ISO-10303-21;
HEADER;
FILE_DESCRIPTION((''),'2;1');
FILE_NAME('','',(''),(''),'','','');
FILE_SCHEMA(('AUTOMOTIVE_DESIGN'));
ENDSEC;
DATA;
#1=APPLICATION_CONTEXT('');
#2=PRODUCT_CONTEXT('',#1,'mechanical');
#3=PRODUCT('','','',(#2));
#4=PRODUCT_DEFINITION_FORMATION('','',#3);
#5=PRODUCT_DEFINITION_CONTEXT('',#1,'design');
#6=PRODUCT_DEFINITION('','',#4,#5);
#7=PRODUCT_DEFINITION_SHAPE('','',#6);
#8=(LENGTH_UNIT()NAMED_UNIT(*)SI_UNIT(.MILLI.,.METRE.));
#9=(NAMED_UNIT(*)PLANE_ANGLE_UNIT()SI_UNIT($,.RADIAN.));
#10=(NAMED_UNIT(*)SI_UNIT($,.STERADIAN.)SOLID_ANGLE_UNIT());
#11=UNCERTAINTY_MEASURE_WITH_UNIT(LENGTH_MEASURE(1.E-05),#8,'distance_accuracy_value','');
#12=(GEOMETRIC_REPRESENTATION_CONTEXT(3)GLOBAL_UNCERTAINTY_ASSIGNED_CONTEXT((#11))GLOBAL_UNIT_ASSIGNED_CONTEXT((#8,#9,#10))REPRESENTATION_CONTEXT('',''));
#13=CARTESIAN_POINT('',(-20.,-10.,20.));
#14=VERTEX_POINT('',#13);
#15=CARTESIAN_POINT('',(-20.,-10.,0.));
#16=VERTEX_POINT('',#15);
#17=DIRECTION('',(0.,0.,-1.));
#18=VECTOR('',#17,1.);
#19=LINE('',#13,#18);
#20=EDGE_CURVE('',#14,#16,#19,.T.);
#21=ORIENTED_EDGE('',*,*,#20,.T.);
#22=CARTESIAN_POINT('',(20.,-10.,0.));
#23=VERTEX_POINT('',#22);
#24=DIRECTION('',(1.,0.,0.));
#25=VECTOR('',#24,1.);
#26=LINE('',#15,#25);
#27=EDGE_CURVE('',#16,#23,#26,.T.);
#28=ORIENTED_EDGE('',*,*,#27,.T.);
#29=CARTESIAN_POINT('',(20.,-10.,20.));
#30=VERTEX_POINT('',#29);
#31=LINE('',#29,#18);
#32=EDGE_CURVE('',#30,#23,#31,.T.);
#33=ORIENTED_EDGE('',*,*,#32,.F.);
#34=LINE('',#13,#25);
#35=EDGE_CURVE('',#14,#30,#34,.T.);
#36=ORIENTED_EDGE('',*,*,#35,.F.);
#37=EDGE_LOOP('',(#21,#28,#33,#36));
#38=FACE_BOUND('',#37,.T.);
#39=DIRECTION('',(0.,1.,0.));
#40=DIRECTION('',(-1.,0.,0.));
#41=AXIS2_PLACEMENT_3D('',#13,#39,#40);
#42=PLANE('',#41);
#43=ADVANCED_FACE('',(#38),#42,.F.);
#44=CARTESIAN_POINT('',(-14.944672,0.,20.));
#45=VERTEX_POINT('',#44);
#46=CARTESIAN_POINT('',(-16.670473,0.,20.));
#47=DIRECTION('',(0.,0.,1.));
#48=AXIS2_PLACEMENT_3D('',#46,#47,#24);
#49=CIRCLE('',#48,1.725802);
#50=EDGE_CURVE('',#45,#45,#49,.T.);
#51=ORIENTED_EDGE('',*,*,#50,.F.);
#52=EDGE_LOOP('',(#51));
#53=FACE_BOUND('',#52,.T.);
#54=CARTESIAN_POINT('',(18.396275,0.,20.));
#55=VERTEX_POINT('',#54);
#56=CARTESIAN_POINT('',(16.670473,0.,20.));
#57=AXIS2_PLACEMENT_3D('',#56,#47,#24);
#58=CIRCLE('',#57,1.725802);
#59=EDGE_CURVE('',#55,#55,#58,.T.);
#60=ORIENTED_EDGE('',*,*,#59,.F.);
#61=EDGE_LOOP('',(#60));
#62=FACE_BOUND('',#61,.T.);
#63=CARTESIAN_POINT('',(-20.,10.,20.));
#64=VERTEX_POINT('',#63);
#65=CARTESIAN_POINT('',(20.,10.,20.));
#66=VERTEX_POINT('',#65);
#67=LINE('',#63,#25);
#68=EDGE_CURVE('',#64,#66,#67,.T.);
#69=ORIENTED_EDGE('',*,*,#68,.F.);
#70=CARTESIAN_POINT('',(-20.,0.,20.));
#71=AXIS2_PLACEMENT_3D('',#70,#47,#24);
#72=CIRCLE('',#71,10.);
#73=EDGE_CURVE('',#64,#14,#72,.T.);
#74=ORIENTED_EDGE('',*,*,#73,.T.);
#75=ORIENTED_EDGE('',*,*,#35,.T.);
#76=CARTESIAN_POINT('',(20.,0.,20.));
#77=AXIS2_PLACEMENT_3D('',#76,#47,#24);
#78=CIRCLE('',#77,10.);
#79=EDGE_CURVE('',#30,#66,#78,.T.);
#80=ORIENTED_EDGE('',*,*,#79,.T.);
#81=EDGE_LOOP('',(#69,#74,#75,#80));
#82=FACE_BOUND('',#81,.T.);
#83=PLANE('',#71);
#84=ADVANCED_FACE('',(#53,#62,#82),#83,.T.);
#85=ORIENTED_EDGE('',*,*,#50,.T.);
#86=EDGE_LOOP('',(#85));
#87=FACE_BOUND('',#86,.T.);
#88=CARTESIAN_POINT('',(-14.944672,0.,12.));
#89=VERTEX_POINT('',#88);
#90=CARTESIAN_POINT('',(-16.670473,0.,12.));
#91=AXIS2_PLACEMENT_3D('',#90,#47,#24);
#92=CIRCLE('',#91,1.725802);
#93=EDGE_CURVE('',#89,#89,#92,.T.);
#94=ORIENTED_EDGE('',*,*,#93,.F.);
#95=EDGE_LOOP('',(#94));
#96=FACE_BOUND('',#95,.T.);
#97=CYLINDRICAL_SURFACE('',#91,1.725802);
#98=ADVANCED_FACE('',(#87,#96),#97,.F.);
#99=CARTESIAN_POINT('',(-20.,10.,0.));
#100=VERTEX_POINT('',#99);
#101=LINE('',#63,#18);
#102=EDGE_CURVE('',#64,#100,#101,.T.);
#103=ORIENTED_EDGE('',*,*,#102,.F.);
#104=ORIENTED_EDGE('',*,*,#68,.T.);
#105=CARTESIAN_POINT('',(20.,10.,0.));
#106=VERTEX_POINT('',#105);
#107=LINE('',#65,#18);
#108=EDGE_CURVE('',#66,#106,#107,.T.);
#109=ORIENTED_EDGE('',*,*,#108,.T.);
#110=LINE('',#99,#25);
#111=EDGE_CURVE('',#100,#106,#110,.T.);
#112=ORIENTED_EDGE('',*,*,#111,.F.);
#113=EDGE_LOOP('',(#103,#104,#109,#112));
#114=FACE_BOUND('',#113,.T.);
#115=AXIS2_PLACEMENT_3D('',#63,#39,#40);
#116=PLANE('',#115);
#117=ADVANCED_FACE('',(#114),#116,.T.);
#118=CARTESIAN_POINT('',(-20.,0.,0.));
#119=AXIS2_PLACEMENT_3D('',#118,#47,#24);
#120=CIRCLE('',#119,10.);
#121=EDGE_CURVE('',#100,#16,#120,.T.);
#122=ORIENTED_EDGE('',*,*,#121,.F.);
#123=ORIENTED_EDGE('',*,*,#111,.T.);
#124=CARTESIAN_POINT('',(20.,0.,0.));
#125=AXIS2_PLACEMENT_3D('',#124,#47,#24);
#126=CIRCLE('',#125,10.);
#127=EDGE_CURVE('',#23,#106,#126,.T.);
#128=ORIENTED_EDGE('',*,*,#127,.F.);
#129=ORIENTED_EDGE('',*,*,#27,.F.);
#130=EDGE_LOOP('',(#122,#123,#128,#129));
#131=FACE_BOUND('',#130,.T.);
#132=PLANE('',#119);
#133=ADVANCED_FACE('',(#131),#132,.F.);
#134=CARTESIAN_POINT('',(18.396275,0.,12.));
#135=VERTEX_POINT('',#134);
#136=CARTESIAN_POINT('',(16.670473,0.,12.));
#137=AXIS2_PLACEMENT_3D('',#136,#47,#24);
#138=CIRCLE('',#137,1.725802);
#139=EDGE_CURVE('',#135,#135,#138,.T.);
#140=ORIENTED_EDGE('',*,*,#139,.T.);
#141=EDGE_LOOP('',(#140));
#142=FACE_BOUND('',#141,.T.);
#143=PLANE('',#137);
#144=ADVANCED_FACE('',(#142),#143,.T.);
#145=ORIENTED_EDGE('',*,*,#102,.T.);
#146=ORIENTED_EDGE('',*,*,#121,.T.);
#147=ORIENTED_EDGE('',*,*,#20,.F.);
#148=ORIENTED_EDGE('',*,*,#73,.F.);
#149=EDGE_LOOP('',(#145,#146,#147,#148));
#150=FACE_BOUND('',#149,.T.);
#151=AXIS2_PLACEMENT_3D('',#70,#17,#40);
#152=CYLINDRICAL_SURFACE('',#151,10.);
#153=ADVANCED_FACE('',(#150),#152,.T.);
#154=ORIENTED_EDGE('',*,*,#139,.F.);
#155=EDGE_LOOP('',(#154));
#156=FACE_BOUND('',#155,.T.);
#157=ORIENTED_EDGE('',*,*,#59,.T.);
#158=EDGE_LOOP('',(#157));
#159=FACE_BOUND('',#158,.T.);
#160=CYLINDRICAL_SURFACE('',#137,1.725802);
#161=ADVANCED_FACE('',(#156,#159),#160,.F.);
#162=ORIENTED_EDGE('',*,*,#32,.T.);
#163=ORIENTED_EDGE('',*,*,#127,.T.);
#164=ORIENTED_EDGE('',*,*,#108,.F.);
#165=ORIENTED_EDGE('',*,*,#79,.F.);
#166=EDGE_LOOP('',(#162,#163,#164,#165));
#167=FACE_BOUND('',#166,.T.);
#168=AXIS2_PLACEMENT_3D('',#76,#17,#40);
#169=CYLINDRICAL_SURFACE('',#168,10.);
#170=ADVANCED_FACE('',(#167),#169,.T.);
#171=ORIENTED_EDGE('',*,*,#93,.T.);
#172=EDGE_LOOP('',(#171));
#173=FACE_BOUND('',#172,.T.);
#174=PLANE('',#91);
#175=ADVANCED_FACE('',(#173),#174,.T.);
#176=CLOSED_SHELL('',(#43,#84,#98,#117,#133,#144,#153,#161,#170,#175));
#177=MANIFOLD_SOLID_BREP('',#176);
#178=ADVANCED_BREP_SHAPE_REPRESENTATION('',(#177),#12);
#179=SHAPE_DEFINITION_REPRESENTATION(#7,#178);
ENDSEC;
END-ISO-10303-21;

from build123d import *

# Parameters (mm, degrees)
EXTRUDE_2_DEPTH     = 20
SKETCH_3_R          = 1.725801952
CUT_EXTRUDE_1_DEPTH = 8


with BuildPart() as part:
    # 草图2 → 凸台-拉伸2 (new body)
    with BuildSketch(Plane.XY):
        with BuildLine():
            Line((-20, 10), (20, 10))
            ThreePointArc((20, 10), (30, 0), (20, -10))
            Line((20, -10), (-20, -10))
            ThreePointArc((-20, -10), (-30, 0), (-20, 10))
        make_face()
    extrude(amount=EXTRUDE_2_DEPTH)

    # 草图3 → 切除-拉伸1 (cut)
    with BuildSketch(Plane.XY.offset(20)):
        with Locations((-16.67047348, 0)):
            Circle(SKETCH_3_R)
        with Locations((16.67047348, 0)):
            Circle(SKETCH_3_R)
    extrude(amount=-CUT_EXTRUDE_1_DEPTH, mode=Mode.SUBTRACT)


solid = part.part
